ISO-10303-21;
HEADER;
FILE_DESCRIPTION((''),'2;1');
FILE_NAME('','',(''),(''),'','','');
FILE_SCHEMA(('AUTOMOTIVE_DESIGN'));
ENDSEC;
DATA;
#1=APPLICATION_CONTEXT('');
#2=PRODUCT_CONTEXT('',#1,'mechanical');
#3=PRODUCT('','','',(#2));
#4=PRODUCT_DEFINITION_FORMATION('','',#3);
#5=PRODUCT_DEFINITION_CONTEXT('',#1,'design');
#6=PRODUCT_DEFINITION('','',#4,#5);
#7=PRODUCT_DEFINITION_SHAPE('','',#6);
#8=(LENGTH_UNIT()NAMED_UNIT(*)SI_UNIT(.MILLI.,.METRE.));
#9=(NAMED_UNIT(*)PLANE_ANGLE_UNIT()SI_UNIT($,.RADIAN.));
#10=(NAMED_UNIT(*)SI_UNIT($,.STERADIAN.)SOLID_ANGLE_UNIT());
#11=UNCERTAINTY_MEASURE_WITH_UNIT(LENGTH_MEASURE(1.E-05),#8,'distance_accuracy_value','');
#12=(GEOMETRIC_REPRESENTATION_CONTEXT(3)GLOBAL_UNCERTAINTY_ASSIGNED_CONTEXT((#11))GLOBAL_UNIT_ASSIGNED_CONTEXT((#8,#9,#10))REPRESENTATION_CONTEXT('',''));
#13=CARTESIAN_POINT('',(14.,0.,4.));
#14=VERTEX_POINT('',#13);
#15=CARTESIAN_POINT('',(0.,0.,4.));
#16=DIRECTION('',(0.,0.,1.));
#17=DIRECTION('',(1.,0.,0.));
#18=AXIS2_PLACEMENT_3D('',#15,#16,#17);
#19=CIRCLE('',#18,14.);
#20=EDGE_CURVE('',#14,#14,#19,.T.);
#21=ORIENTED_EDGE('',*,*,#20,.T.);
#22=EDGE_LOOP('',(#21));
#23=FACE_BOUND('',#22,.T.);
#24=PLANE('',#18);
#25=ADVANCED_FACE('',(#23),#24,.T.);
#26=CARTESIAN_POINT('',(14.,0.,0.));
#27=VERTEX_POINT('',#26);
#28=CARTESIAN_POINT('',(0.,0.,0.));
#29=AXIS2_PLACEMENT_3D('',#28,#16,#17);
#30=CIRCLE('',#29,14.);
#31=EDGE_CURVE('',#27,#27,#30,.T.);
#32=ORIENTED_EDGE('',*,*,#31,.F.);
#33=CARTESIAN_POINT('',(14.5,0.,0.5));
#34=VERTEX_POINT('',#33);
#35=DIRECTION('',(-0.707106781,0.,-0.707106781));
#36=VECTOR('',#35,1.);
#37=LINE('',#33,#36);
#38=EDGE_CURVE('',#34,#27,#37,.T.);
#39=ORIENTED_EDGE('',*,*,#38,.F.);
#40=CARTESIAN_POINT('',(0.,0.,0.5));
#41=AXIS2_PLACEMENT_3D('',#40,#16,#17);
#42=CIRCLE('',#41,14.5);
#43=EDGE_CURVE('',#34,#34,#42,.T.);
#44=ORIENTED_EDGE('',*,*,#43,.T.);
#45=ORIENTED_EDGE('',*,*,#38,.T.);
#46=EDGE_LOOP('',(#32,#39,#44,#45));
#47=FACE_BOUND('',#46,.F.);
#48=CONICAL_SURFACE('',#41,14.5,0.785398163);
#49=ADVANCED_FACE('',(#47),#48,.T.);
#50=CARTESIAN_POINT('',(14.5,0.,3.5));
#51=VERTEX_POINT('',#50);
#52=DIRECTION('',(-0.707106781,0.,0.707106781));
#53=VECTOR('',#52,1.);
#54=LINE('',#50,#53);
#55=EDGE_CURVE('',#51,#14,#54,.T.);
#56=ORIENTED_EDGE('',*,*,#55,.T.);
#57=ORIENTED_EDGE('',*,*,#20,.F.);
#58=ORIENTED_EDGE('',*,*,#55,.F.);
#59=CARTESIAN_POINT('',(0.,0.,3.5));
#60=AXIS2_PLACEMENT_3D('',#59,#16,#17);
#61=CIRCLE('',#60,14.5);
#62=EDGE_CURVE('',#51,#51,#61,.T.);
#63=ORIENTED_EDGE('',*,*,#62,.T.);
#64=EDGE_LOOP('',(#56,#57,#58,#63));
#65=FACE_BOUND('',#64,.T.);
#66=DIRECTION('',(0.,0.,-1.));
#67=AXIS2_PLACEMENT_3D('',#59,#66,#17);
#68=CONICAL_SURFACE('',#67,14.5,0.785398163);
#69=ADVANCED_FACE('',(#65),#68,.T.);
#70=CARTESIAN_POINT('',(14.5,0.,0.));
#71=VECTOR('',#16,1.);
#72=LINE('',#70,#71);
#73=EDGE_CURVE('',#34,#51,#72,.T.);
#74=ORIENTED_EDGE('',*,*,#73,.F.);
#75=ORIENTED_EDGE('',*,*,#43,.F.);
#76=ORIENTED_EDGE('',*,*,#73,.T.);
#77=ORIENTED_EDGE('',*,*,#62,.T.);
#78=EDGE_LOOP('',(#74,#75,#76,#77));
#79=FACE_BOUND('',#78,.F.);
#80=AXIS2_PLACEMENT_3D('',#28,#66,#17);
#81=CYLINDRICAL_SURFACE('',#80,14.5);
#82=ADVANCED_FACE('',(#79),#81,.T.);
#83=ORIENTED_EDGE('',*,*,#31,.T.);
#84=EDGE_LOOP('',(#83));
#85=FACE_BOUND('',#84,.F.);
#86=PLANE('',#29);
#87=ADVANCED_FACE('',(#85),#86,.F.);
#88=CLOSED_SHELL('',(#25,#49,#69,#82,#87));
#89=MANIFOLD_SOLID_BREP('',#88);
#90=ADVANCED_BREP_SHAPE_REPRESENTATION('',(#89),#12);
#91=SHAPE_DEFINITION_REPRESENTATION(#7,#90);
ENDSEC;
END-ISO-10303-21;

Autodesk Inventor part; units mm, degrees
ref_plane "YZ Plane" through (0, 0, 0) normal (1, 0, 0) x (0, 1, 0)
ref_plane "XZ Plane" through (0, 0, 0) normal (0, 1, 0) x (-1, 0, 0)
ref_plane "XY Plane" through (0, 0, 0) normal (0, 0, 1) x (1, 0, 0)
sketch "草图1" plane through (0, 0, 0) normal (0, 0, 1) x (1, 0, 0)
  circle A0 centre (0, 0) radius 14.5
extrude "拉伸1" add sketch "草图1" along normal blind 4
chamfer "倒角1" distance 0.5 angle 45 2 edges at (-14.5, 0, 4) (-14.5, 0, 0)
properties part number "my_attempt_v2"
